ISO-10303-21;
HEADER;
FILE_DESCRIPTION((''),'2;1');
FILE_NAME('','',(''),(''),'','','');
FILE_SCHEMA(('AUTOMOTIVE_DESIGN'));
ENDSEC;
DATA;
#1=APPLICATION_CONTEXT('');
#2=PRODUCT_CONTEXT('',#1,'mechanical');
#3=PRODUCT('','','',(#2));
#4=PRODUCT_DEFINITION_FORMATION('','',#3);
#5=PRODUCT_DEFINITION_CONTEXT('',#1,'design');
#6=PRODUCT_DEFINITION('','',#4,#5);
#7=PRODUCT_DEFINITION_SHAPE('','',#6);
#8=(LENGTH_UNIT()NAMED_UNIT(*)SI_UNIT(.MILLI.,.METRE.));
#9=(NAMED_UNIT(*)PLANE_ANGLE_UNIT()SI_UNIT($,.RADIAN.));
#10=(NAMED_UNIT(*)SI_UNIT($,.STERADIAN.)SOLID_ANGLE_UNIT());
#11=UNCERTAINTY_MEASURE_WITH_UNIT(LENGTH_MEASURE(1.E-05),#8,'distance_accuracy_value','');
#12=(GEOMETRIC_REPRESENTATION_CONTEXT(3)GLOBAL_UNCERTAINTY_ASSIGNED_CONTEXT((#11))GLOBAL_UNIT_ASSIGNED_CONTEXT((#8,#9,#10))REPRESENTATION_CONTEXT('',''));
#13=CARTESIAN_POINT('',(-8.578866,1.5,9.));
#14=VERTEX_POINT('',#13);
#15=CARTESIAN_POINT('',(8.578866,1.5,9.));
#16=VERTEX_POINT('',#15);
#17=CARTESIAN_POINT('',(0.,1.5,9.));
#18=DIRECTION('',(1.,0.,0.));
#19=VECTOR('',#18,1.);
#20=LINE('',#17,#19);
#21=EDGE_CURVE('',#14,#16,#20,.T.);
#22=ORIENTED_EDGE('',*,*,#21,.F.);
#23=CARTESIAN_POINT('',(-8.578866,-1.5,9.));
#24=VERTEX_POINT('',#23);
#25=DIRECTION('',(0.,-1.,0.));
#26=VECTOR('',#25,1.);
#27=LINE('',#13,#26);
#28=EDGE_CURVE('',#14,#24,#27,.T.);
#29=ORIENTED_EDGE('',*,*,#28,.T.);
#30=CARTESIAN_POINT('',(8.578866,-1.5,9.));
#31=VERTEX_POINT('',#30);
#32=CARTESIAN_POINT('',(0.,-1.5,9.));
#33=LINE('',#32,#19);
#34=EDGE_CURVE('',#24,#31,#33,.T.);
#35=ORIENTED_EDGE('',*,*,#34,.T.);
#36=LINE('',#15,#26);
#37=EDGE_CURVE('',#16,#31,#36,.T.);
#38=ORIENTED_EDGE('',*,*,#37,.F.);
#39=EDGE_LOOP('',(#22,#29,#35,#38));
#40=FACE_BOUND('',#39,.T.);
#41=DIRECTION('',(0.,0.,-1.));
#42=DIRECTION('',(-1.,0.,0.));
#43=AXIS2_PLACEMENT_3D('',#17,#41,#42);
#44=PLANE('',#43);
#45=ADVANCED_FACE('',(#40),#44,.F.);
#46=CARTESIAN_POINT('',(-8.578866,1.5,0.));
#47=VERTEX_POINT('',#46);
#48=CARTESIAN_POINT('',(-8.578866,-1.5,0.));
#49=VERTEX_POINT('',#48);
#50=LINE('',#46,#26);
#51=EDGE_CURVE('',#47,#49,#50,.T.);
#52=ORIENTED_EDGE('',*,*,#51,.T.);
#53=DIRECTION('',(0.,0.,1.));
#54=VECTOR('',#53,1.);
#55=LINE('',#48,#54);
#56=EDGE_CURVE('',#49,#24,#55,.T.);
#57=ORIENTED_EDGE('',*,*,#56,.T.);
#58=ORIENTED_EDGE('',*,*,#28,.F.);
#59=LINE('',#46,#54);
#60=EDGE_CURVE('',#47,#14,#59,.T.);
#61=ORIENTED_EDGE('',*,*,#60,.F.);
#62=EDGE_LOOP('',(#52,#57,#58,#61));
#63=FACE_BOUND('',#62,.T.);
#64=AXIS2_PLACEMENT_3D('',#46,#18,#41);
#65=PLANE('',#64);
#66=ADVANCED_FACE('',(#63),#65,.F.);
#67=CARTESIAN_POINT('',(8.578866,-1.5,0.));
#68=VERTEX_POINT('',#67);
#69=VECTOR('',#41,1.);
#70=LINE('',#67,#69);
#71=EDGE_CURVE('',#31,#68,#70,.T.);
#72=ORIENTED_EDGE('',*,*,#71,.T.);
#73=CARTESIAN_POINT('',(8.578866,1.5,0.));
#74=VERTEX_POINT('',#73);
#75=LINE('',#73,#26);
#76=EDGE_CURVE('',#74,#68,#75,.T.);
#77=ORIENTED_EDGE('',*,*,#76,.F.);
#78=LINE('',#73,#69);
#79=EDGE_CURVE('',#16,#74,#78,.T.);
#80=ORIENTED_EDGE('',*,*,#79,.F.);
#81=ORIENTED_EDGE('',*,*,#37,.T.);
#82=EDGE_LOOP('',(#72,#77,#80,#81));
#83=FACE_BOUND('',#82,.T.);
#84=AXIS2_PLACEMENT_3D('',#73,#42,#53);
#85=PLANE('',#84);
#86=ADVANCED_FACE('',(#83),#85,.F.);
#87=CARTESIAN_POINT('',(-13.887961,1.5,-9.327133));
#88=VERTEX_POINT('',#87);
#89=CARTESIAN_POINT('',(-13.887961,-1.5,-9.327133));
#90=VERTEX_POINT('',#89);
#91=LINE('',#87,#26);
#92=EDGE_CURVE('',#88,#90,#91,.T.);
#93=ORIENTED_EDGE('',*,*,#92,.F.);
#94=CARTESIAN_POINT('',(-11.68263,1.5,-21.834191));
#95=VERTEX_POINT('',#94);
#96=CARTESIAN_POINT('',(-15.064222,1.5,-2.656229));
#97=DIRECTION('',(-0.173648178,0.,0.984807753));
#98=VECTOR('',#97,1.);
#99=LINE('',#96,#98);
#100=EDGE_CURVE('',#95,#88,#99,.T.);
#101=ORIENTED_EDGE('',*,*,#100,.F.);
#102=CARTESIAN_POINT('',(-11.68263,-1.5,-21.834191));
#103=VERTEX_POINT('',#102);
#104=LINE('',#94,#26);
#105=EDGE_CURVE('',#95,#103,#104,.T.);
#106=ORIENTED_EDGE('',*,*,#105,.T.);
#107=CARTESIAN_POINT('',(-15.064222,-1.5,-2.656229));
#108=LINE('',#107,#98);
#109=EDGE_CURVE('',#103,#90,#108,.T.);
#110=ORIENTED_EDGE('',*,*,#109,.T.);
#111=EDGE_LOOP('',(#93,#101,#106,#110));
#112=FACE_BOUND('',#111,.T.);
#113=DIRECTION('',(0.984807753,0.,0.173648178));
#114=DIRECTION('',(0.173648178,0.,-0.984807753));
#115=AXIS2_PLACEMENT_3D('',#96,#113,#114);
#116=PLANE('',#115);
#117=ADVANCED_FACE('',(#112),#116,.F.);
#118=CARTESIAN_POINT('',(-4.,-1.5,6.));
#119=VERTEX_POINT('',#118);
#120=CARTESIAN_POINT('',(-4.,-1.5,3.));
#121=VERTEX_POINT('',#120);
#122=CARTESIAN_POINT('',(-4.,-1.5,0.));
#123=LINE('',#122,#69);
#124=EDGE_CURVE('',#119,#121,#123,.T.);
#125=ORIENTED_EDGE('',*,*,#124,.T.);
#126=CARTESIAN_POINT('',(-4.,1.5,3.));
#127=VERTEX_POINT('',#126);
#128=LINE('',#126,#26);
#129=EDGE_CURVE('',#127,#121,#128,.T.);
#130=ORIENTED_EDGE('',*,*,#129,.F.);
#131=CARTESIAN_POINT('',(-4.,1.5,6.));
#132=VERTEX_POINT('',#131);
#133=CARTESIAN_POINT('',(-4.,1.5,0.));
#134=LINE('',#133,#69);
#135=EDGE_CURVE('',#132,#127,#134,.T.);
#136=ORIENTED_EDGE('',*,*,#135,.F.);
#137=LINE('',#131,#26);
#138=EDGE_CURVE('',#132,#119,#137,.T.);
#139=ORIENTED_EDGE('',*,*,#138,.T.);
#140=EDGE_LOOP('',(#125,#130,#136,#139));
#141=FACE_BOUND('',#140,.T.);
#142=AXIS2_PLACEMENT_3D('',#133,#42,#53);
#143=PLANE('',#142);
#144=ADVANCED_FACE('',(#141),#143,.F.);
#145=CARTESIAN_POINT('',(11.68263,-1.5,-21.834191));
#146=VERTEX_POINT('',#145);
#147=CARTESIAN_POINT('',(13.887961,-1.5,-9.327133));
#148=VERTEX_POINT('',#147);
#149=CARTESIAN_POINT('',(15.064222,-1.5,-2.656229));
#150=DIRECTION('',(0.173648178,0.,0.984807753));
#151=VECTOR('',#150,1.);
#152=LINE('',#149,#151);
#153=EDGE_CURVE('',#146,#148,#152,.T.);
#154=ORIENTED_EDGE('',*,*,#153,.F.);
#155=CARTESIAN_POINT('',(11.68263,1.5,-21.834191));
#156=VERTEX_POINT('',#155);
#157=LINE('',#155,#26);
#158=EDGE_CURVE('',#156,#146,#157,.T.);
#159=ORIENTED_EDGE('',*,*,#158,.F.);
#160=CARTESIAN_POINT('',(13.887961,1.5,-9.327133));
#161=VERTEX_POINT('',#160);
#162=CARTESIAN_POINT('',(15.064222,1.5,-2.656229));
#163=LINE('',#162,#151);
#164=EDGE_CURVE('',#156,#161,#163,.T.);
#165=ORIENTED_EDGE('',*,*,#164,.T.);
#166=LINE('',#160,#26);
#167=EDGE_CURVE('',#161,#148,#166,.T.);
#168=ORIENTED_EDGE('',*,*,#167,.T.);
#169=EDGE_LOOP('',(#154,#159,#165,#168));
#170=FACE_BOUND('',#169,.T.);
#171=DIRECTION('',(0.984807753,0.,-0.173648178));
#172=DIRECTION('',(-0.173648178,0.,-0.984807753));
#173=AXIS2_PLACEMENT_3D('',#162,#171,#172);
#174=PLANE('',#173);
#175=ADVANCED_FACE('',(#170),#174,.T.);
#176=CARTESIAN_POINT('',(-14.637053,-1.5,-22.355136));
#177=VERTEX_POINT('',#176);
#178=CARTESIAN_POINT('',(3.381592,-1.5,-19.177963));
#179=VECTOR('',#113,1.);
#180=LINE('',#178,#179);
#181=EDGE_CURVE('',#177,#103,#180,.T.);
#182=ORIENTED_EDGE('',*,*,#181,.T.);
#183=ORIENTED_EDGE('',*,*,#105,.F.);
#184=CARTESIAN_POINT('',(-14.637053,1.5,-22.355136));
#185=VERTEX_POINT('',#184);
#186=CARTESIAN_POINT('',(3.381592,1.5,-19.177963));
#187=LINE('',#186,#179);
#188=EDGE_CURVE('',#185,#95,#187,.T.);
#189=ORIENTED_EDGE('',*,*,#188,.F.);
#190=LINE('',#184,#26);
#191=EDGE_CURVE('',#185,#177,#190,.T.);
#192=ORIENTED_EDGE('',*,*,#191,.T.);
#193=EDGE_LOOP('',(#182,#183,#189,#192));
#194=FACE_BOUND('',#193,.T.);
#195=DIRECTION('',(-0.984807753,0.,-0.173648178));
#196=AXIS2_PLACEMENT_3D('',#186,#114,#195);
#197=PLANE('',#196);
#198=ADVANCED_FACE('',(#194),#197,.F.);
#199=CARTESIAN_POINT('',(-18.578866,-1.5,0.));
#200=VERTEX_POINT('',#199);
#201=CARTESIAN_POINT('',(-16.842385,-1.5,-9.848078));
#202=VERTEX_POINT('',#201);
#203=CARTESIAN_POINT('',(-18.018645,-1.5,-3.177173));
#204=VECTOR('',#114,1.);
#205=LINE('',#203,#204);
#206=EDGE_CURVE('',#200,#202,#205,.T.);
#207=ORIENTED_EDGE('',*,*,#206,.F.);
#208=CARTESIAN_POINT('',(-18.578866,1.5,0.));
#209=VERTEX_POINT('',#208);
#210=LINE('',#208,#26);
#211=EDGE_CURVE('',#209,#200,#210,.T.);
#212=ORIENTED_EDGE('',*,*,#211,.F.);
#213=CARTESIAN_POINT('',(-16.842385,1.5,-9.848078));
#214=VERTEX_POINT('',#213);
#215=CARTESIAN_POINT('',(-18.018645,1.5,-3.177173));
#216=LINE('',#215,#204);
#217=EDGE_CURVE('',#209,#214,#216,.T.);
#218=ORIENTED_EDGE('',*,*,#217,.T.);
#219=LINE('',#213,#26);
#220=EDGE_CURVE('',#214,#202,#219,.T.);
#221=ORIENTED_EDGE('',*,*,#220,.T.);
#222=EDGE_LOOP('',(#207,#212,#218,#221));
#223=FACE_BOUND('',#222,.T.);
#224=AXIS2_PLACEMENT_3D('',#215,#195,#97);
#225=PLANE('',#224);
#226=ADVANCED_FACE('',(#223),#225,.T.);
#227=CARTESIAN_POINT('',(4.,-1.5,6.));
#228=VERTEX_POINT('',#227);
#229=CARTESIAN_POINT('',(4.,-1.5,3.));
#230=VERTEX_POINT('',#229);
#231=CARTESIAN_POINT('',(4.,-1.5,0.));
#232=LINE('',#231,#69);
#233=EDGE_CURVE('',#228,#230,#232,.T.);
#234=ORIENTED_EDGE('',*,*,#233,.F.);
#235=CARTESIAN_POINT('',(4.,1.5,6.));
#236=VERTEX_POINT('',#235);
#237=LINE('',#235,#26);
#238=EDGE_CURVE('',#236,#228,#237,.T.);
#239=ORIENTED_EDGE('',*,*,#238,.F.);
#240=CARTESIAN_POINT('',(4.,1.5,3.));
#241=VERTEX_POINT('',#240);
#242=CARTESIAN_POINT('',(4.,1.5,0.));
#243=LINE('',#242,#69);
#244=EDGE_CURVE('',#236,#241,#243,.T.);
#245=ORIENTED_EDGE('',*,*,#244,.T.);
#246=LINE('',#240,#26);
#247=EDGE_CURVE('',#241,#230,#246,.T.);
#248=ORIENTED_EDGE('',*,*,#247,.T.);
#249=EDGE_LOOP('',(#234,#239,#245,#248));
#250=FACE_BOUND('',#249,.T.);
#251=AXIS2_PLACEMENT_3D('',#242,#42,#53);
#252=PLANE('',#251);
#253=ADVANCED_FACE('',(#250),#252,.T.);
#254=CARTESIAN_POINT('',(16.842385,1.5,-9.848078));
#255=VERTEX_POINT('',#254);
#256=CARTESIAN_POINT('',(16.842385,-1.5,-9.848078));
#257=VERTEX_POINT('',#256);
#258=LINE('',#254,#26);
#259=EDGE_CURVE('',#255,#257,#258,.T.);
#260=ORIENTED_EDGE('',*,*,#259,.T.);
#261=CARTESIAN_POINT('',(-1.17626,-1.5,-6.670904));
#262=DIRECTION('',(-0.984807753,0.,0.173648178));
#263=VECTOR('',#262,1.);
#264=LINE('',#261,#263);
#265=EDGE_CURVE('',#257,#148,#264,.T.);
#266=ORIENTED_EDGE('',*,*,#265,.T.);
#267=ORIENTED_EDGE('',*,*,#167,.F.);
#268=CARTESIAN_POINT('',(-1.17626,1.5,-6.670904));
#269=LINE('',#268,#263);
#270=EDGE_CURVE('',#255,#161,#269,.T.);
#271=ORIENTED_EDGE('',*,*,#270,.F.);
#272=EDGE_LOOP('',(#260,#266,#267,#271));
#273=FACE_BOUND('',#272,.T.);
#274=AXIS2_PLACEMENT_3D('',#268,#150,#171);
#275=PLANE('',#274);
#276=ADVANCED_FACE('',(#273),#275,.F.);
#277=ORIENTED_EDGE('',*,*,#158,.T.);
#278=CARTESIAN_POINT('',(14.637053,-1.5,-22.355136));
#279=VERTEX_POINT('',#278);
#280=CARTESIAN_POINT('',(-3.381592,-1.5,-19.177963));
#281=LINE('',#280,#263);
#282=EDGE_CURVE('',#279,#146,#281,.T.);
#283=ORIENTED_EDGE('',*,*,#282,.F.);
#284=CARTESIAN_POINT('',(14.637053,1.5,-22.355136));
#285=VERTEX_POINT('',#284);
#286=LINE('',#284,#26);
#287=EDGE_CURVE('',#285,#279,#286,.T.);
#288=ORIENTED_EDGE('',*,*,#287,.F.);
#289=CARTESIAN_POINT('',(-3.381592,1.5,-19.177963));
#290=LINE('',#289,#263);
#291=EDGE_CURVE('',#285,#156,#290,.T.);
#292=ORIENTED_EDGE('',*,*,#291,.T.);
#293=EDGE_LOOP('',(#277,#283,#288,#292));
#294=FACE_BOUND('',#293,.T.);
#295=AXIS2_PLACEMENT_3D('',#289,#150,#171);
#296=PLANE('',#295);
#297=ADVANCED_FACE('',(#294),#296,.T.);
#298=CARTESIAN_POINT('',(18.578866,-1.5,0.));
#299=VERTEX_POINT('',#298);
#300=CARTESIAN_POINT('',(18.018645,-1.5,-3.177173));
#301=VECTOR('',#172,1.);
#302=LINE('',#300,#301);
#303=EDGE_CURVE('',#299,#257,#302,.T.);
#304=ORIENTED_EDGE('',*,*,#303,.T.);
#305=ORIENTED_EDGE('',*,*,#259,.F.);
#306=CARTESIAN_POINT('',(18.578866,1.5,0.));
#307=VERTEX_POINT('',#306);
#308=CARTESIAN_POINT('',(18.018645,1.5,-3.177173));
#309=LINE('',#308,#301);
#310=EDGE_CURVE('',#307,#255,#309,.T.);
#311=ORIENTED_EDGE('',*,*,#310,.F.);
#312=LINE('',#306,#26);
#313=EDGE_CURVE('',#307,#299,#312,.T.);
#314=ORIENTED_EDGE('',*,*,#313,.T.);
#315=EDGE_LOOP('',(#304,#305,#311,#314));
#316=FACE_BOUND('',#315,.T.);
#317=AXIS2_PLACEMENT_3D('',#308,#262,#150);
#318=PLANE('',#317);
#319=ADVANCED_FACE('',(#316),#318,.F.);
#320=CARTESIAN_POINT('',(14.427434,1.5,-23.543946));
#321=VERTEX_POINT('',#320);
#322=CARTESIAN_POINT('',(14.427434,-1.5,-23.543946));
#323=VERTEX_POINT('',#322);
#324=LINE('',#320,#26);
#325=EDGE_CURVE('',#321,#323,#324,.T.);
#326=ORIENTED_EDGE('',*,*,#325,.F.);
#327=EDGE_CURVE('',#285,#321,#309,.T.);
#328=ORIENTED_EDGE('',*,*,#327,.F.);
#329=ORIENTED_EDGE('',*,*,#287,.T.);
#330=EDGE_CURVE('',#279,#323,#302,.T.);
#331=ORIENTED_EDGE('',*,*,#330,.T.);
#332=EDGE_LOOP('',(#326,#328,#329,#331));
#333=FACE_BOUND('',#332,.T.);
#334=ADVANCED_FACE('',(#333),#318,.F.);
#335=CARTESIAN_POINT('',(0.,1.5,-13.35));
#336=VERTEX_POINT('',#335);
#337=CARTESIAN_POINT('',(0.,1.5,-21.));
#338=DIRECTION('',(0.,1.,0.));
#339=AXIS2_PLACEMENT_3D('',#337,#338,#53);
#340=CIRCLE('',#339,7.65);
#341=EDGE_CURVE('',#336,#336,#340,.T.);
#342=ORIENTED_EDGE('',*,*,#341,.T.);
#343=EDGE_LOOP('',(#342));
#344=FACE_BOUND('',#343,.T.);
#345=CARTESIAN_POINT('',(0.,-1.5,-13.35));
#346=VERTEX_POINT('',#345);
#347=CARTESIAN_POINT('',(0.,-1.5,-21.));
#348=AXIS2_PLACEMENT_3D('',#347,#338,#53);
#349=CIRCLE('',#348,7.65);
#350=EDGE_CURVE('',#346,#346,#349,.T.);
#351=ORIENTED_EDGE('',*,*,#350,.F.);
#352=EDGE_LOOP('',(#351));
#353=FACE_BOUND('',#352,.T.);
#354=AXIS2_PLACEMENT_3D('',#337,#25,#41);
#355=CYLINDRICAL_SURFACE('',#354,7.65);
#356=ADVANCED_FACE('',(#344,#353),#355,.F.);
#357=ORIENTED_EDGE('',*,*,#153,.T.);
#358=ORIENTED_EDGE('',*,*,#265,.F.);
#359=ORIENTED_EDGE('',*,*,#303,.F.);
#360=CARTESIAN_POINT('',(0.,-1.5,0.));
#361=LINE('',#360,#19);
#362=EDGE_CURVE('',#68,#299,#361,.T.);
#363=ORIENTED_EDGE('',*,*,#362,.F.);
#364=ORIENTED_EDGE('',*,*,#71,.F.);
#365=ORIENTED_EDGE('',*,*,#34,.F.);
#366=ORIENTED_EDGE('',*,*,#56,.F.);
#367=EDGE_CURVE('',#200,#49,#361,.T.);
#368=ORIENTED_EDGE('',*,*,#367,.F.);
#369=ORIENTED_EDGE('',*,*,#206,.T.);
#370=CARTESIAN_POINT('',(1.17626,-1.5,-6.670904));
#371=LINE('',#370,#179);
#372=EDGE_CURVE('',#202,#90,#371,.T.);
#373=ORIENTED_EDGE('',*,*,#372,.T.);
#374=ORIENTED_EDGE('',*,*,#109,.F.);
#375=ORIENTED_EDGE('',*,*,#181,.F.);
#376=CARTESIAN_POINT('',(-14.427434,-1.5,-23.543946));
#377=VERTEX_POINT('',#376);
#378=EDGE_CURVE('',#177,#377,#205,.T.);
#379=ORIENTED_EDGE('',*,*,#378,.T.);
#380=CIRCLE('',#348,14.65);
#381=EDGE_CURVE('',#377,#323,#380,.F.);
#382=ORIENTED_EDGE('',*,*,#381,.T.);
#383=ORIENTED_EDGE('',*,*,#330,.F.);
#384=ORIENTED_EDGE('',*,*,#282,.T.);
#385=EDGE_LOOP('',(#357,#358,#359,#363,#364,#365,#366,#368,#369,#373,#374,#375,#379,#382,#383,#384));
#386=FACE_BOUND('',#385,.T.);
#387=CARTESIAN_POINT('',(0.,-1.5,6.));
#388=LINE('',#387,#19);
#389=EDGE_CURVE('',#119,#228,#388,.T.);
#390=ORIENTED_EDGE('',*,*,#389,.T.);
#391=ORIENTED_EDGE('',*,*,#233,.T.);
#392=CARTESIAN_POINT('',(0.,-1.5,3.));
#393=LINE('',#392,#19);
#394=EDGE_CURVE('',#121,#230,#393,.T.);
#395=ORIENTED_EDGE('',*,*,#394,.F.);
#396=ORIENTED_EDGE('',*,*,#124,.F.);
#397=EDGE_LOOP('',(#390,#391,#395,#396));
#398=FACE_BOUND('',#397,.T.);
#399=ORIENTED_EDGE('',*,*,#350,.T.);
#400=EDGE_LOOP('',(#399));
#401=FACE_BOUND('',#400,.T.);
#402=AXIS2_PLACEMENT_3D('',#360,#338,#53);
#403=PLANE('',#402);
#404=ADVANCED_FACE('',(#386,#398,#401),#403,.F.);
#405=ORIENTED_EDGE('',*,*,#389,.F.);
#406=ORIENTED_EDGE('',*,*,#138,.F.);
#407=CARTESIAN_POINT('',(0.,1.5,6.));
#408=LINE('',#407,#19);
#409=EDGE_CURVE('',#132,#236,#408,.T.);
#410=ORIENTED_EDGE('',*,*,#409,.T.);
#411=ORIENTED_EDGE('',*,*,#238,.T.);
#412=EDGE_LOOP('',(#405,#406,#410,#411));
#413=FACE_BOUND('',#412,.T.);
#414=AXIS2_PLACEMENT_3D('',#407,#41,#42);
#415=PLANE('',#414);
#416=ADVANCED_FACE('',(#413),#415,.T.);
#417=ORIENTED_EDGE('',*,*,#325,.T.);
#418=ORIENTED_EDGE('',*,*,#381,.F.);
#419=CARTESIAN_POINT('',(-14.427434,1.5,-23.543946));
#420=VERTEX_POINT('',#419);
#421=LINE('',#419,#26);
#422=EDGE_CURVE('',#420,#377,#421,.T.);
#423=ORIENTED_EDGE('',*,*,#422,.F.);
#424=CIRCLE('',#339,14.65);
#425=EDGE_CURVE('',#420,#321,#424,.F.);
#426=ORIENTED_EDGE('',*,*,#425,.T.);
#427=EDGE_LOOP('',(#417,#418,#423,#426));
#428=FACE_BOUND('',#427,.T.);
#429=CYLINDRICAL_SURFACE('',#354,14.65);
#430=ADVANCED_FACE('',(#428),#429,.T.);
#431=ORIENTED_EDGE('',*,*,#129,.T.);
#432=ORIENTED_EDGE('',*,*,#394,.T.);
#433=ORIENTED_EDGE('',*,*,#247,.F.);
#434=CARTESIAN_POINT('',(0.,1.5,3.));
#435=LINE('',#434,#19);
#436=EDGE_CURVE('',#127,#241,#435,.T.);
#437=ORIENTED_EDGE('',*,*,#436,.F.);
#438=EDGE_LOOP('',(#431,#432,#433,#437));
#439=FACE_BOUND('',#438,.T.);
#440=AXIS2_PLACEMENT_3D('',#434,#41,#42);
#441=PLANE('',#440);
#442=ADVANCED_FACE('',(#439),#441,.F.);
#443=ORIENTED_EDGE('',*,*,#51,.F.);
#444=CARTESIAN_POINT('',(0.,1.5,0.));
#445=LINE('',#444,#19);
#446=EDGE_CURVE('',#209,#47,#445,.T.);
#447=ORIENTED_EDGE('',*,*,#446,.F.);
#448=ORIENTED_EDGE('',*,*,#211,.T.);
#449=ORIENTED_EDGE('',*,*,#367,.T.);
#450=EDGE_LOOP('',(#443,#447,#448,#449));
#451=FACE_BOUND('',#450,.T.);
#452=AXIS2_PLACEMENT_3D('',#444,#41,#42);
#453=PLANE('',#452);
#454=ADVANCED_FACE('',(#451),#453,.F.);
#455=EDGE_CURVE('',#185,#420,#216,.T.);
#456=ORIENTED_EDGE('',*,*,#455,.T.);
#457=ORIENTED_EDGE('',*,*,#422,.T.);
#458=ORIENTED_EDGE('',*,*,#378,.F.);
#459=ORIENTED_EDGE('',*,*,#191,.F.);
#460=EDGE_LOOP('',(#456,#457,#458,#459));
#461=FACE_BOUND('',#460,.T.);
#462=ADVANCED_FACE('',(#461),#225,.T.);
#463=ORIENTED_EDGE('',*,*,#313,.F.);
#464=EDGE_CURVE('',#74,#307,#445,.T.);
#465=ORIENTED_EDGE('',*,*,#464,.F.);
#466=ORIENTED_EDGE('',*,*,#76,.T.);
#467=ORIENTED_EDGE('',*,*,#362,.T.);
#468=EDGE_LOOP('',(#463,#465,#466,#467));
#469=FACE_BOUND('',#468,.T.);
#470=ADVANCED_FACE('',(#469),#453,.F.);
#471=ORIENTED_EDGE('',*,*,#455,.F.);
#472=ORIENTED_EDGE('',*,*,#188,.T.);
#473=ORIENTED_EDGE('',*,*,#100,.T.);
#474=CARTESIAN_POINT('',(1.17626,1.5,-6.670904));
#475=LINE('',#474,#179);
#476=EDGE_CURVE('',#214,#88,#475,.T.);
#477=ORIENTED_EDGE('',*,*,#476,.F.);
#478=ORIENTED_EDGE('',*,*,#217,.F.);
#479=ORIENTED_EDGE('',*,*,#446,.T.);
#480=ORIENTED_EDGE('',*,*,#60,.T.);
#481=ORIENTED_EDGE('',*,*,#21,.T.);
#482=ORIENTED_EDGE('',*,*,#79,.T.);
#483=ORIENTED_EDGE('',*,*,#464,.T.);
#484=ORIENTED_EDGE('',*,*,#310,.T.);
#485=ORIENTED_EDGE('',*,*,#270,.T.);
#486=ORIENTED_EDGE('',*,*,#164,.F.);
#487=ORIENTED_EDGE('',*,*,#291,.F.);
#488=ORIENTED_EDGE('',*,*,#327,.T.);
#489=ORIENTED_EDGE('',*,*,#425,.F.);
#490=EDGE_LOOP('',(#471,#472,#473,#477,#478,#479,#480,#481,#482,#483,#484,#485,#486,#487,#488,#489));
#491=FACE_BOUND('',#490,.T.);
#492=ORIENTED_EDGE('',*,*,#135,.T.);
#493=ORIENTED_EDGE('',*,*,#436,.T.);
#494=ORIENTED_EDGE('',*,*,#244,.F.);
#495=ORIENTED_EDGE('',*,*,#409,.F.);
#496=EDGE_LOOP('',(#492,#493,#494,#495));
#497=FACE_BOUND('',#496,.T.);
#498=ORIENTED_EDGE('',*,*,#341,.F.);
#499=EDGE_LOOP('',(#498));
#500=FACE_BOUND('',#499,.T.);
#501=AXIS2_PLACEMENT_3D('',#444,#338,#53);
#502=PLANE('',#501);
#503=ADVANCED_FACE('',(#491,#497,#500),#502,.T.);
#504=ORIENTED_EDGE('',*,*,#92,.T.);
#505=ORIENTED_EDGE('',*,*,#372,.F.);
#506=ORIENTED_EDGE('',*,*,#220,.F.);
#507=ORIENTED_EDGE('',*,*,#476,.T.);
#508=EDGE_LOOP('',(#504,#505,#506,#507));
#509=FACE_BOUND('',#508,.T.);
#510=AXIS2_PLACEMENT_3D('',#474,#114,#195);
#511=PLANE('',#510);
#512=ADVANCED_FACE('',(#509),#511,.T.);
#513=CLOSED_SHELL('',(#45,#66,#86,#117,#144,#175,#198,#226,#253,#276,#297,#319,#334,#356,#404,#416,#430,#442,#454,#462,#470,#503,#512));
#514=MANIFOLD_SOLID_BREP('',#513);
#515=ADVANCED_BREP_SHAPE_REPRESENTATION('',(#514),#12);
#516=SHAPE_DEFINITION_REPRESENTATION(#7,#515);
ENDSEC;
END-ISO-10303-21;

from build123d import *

# Parameters (mm, degrees)
SKETCH1_R           = 7.65
SKETCH1_W           = 8
SKETCH1_H           = 3
BOSS_EXTRUDE1_DEPTH = 1.5


with BuildPart() as part:
    # Sketch1 → Boss-Extrude1 (new, symmetric)
    with BuildSketch(Plane(origin=(0, 0, 0), x_dir=(1, 0, 0), z_dir=(0, 1, 0))):
        with BuildLine():
            Line((-16.842384682, 9.84807753), (-18.578866459, 0))
            Line((-18.578866459, 0), (-8.578866459, 0))
            Line((-8.578866459, 0), (-8.578866459, -9))
            Line((-8.578866459, -9), (8.578866459, -9))
            Line((8.578866459, -9), (8.578866459, 0))
            Line((8.578866459, 0), (18.578866459, 0))
            Line((18.578866459, 0), (16.842384682, 9.84807753))
            Line((16.842384682, 9.84807753), (13.887961423, 9.327132997))
            Line((13.887961423, 9.327132997), (11.682629567, 21.83419146))
            Line((11.682629567, 21.83419146), (14.637052826, 22.355135993))
            Line((14.637052826, 22.355135993), (14.427433582, 23.543945803))
            ThreePointArc((14.427433582, 23.543945803), (0, 35.65), (-14.427433582, 23.543945803))
            Line((-14.427433582, 23.543945803), (-14.637052826, 22.355135993))
            Line((-14.637052826, 22.355135993), (-11.682629567, 21.83419146))
            Line((-11.682629567, 21.83419146), (-13.887961423, 9.327132997))
            Line((-13.887961423, 9.327132997), (-16.842384682, 9.84807753))
        make_face()
        with Locations((0, 21)):
            Circle(SKETCH1_R, mode=Mode.SUBTRACT)
        with Locations((0, -4.5)):
            Rectangle(SKETCH1_W, SKETCH1_H, mode=Mode.SUBTRACT)
    extrude(amount=BOSS_EXTRUDE1_DEPTH, both=True)


solid = part.part
